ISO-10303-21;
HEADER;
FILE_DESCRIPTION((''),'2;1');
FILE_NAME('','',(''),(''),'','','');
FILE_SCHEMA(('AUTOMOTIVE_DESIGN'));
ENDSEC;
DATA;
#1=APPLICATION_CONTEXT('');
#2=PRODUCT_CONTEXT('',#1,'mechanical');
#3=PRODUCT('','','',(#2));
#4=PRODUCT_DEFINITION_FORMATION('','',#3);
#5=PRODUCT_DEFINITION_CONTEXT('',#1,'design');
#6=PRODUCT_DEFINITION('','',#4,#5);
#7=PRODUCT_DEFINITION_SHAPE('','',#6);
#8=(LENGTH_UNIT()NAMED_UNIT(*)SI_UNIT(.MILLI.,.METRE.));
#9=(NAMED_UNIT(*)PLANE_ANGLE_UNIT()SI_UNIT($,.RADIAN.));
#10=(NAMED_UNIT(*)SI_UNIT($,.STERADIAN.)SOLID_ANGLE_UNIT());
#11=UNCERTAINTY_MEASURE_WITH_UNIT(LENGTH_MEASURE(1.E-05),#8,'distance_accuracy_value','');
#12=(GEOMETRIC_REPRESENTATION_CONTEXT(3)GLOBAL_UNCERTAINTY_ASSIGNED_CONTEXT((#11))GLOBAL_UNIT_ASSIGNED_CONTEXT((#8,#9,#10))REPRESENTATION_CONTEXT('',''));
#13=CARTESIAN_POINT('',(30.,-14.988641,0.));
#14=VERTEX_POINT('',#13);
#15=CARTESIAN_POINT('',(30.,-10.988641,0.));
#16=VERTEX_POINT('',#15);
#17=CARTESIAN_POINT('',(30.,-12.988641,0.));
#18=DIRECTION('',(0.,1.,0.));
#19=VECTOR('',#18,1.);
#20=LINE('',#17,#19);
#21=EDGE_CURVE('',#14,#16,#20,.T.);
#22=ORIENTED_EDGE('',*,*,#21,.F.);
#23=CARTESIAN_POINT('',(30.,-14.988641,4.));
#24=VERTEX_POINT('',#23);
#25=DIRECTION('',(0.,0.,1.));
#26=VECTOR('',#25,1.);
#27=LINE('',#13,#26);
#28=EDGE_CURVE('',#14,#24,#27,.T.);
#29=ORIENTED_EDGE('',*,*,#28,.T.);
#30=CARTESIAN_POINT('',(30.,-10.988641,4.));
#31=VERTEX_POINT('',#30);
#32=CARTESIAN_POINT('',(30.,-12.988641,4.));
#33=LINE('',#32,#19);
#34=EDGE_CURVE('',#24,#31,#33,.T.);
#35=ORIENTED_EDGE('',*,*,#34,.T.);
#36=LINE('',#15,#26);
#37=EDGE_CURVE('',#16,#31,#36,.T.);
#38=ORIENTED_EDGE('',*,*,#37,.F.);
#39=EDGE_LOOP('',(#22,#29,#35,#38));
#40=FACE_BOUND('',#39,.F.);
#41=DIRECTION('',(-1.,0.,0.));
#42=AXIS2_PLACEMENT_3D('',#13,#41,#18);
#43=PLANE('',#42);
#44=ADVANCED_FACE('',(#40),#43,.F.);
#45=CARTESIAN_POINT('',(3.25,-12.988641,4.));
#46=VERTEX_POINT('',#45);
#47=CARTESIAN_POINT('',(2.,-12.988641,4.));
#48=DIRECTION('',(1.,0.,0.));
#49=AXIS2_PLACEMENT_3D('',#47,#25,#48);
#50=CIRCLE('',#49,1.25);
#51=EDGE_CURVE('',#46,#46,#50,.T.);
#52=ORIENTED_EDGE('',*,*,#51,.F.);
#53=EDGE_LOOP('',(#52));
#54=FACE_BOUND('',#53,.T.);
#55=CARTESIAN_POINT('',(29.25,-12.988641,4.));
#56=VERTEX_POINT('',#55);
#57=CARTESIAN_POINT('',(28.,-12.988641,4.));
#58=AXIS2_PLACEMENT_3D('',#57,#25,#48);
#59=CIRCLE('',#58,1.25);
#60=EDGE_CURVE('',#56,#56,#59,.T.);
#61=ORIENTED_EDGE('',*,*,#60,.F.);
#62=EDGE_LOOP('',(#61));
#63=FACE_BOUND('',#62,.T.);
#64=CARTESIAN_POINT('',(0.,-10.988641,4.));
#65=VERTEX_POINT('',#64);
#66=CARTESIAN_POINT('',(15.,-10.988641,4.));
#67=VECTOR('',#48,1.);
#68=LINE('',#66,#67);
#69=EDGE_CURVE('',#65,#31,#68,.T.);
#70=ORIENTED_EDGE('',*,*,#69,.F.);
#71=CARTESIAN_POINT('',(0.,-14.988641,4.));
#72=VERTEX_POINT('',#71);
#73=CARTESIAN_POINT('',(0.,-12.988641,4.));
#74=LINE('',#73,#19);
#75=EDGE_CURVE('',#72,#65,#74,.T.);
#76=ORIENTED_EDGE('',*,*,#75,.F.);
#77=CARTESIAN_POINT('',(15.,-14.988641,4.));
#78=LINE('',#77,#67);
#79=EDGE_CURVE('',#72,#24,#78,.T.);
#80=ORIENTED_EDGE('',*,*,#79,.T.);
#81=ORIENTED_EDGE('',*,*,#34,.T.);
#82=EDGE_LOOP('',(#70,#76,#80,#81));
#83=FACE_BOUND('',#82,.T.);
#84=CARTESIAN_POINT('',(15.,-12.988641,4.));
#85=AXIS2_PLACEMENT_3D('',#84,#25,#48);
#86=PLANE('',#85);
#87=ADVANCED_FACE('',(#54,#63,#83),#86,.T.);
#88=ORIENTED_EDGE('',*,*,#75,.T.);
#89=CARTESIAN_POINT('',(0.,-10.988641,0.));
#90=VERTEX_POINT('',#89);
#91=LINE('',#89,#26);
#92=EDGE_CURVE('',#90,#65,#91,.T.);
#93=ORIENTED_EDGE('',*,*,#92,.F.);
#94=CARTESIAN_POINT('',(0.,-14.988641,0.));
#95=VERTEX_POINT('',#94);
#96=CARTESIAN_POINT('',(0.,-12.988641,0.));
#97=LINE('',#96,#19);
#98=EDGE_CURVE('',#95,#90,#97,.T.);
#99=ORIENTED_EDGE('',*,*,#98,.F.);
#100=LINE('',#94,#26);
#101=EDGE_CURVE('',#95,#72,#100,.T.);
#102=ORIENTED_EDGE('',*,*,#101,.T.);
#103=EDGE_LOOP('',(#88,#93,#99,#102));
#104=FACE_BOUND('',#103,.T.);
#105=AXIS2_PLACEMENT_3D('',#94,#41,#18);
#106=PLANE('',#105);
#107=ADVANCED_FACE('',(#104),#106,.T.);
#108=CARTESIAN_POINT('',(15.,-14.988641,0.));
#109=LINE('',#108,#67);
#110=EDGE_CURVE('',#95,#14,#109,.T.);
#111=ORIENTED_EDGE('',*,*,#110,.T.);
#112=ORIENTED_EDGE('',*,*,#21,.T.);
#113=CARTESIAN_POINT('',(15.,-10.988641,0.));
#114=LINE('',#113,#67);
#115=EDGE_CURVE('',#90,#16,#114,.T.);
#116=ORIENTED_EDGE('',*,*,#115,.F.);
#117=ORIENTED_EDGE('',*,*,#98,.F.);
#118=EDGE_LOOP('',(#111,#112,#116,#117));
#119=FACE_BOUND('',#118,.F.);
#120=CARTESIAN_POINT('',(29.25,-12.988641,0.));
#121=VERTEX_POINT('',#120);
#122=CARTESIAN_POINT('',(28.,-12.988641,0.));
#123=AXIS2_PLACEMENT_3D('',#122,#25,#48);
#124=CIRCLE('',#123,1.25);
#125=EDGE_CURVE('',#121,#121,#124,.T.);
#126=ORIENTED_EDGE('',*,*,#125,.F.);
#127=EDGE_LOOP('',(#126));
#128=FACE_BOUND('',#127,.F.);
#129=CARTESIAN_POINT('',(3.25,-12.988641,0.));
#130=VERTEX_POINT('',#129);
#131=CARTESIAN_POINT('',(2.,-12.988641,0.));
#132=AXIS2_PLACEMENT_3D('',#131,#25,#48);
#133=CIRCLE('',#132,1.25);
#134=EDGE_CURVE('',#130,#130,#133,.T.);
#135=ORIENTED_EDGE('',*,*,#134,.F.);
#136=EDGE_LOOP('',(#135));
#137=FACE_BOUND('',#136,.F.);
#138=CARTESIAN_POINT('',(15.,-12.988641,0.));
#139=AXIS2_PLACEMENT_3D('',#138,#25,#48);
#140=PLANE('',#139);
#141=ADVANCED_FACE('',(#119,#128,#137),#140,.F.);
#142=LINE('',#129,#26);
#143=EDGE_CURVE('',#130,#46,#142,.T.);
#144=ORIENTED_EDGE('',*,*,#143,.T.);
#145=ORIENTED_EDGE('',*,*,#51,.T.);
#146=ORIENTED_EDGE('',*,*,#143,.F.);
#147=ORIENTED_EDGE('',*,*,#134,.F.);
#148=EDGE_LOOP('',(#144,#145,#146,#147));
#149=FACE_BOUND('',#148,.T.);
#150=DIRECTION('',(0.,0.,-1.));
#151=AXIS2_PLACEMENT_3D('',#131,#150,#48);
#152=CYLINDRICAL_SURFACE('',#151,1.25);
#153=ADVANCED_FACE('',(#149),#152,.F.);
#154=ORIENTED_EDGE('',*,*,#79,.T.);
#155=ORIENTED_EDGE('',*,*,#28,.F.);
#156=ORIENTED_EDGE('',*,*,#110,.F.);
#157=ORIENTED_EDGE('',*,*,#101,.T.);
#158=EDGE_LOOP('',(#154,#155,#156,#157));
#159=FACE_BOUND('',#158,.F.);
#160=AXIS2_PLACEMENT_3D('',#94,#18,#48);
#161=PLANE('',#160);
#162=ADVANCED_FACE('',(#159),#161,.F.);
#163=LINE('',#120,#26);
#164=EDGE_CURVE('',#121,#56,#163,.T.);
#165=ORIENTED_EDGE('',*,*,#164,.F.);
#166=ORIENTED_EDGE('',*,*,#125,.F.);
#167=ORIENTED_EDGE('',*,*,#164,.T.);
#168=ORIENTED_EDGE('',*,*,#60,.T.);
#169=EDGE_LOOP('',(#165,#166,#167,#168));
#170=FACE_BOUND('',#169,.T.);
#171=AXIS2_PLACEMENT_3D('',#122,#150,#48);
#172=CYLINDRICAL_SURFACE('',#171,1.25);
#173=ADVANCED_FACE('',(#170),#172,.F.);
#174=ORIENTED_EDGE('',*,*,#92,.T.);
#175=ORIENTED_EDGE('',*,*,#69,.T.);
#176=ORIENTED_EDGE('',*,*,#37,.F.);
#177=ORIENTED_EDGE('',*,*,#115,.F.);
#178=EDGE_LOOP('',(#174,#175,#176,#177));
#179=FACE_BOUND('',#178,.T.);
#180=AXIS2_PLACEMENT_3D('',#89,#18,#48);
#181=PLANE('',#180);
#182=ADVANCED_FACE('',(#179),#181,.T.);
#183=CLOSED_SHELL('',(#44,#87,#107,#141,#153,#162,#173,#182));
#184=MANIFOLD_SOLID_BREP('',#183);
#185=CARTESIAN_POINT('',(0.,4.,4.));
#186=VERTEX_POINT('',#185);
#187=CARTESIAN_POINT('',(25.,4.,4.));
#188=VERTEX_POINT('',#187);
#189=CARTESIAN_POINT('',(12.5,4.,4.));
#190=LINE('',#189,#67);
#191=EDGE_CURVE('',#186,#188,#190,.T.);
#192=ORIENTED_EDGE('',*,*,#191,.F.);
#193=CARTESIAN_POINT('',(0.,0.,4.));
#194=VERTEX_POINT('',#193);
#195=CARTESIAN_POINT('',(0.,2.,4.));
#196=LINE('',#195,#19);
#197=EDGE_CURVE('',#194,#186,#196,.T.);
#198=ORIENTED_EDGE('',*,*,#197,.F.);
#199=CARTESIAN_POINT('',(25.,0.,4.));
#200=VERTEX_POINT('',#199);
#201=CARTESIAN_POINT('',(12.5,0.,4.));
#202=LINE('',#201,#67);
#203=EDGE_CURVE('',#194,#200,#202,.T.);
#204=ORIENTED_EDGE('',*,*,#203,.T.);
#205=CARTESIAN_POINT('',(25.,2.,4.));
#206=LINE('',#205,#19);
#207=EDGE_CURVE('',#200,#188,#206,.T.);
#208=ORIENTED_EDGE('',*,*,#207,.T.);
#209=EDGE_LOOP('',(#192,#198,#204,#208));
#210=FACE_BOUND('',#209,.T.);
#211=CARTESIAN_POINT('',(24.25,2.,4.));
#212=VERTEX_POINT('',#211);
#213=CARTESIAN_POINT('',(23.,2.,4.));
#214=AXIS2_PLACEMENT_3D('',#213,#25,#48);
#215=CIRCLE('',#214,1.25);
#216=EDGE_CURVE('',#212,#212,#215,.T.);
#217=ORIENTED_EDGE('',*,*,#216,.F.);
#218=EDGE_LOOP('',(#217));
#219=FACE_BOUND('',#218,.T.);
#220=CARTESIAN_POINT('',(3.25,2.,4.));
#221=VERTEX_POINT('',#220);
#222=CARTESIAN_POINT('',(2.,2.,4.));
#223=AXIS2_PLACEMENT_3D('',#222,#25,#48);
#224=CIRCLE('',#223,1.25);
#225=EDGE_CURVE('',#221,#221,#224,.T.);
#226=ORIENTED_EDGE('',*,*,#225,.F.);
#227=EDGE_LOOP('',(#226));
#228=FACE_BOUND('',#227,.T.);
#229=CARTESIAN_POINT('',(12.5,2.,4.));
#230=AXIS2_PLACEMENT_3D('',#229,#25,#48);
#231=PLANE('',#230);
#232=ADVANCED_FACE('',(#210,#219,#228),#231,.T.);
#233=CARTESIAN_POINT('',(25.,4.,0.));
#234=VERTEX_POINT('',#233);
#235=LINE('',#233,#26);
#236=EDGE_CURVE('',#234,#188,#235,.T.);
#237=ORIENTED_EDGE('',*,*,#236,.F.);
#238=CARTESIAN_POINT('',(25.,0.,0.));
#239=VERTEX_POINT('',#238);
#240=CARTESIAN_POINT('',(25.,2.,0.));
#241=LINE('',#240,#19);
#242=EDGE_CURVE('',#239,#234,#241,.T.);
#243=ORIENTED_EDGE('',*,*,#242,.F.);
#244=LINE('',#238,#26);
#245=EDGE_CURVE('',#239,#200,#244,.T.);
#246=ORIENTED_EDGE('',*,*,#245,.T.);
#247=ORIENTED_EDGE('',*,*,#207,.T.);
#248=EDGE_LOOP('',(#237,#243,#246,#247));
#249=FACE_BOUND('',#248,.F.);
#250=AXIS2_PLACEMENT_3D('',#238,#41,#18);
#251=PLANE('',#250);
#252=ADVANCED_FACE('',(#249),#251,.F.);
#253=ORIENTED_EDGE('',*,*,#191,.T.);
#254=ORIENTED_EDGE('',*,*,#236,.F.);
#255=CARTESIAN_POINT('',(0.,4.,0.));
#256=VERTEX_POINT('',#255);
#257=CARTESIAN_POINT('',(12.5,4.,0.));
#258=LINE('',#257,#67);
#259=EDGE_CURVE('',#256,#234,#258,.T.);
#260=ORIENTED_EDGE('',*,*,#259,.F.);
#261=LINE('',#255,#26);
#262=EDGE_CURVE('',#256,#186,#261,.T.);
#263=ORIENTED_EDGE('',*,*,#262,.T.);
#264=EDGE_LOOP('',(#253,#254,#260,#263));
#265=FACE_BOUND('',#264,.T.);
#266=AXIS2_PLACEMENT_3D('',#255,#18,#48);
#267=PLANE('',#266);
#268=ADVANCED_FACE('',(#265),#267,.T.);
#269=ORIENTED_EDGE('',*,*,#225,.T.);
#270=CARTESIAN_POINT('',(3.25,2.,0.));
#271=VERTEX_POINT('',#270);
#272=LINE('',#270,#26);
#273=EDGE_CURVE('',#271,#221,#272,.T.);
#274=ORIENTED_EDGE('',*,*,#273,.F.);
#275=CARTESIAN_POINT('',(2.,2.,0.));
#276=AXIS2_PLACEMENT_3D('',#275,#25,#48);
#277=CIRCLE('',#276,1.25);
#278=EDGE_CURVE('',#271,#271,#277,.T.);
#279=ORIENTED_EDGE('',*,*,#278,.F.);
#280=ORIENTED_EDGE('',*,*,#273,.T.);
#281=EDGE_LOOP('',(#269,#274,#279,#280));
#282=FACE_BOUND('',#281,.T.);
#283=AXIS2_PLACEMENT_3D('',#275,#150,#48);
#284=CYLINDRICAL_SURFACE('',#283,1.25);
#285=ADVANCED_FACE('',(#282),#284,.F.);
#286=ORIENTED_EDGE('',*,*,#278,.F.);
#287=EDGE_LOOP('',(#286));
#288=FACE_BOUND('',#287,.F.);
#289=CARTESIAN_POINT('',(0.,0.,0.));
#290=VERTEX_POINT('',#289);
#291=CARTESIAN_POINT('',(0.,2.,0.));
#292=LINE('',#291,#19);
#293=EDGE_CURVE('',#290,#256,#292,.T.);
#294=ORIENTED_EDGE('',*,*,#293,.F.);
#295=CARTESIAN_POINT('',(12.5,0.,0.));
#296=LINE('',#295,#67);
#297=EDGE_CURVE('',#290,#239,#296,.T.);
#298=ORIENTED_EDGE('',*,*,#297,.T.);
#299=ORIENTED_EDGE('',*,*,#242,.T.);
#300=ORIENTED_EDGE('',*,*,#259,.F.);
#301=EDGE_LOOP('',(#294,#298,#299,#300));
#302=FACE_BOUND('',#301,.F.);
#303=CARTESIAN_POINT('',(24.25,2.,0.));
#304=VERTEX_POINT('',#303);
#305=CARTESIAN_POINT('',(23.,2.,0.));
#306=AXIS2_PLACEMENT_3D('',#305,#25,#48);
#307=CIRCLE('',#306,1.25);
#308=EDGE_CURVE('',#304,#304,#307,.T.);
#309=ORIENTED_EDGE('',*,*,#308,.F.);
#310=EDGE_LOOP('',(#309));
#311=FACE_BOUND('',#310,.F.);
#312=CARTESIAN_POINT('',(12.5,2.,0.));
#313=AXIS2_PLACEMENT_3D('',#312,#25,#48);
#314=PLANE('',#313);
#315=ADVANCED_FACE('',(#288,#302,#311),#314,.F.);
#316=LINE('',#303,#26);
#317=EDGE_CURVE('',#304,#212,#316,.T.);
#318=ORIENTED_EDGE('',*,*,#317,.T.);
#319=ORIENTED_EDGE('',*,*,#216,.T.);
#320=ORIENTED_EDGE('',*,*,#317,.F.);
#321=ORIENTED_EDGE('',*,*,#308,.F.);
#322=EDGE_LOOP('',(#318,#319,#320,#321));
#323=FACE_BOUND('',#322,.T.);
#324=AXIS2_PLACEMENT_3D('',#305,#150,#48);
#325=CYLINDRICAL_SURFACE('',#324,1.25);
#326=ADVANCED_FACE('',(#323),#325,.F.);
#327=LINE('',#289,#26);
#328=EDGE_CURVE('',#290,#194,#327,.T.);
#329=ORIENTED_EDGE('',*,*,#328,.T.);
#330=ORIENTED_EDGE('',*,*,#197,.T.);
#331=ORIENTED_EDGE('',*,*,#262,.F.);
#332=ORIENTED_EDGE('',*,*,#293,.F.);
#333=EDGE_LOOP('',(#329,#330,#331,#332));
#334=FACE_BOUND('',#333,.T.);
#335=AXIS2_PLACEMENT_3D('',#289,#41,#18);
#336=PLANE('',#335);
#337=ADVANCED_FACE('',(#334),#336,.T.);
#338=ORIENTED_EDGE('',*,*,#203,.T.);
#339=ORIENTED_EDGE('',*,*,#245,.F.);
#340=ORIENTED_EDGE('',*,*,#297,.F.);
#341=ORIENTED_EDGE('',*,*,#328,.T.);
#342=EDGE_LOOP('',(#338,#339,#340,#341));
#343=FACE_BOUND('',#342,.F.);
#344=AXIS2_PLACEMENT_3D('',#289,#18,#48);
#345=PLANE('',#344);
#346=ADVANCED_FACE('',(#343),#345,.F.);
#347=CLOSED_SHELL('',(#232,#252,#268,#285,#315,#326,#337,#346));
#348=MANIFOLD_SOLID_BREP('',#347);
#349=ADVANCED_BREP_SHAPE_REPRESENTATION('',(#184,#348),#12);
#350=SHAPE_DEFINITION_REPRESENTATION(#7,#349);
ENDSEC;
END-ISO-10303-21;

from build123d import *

# Parameters (mm, degrees)
F0_W     = 25
F0_H     = 4
F0_R     = 1.25
F1_DEPTH = 4
F0_W_2   = 30
F2_DEPTH = 4


with BuildPart() as f1:
    # F0 (on Top) → F1 (new body)
    with BuildSketch(Plane.XY):
        with Locations((12.5, 2)):
            Rectangle(F0_W, F0_H)
        with Locations((2, 2)):
            Circle(F0_R, mode=Mode.SUBTRACT)
        with Locations((23, 2)):
            Circle(F0_R, mode=Mode.SUBTRACT)
    extrude(amount=F1_DEPTH)


with BuildPart() as f2:
    # F0 (on Top) → F2 (new body)
    with BuildSketch(Plane.XY):
        with Locations((15, -12.988641)):
            Rectangle(F0_W_2, F0_H)
        with Locations((2, -12.988641)):
            Circle(F0_R, mode=Mode.SUBTRACT)
        with Locations((28, -12.988641)):
            Circle(F0_R, mode=Mode.SUBTRACT)
    extrude(amount=F2_DEPTH)


solid = Compound([f1.part, f2.part])
